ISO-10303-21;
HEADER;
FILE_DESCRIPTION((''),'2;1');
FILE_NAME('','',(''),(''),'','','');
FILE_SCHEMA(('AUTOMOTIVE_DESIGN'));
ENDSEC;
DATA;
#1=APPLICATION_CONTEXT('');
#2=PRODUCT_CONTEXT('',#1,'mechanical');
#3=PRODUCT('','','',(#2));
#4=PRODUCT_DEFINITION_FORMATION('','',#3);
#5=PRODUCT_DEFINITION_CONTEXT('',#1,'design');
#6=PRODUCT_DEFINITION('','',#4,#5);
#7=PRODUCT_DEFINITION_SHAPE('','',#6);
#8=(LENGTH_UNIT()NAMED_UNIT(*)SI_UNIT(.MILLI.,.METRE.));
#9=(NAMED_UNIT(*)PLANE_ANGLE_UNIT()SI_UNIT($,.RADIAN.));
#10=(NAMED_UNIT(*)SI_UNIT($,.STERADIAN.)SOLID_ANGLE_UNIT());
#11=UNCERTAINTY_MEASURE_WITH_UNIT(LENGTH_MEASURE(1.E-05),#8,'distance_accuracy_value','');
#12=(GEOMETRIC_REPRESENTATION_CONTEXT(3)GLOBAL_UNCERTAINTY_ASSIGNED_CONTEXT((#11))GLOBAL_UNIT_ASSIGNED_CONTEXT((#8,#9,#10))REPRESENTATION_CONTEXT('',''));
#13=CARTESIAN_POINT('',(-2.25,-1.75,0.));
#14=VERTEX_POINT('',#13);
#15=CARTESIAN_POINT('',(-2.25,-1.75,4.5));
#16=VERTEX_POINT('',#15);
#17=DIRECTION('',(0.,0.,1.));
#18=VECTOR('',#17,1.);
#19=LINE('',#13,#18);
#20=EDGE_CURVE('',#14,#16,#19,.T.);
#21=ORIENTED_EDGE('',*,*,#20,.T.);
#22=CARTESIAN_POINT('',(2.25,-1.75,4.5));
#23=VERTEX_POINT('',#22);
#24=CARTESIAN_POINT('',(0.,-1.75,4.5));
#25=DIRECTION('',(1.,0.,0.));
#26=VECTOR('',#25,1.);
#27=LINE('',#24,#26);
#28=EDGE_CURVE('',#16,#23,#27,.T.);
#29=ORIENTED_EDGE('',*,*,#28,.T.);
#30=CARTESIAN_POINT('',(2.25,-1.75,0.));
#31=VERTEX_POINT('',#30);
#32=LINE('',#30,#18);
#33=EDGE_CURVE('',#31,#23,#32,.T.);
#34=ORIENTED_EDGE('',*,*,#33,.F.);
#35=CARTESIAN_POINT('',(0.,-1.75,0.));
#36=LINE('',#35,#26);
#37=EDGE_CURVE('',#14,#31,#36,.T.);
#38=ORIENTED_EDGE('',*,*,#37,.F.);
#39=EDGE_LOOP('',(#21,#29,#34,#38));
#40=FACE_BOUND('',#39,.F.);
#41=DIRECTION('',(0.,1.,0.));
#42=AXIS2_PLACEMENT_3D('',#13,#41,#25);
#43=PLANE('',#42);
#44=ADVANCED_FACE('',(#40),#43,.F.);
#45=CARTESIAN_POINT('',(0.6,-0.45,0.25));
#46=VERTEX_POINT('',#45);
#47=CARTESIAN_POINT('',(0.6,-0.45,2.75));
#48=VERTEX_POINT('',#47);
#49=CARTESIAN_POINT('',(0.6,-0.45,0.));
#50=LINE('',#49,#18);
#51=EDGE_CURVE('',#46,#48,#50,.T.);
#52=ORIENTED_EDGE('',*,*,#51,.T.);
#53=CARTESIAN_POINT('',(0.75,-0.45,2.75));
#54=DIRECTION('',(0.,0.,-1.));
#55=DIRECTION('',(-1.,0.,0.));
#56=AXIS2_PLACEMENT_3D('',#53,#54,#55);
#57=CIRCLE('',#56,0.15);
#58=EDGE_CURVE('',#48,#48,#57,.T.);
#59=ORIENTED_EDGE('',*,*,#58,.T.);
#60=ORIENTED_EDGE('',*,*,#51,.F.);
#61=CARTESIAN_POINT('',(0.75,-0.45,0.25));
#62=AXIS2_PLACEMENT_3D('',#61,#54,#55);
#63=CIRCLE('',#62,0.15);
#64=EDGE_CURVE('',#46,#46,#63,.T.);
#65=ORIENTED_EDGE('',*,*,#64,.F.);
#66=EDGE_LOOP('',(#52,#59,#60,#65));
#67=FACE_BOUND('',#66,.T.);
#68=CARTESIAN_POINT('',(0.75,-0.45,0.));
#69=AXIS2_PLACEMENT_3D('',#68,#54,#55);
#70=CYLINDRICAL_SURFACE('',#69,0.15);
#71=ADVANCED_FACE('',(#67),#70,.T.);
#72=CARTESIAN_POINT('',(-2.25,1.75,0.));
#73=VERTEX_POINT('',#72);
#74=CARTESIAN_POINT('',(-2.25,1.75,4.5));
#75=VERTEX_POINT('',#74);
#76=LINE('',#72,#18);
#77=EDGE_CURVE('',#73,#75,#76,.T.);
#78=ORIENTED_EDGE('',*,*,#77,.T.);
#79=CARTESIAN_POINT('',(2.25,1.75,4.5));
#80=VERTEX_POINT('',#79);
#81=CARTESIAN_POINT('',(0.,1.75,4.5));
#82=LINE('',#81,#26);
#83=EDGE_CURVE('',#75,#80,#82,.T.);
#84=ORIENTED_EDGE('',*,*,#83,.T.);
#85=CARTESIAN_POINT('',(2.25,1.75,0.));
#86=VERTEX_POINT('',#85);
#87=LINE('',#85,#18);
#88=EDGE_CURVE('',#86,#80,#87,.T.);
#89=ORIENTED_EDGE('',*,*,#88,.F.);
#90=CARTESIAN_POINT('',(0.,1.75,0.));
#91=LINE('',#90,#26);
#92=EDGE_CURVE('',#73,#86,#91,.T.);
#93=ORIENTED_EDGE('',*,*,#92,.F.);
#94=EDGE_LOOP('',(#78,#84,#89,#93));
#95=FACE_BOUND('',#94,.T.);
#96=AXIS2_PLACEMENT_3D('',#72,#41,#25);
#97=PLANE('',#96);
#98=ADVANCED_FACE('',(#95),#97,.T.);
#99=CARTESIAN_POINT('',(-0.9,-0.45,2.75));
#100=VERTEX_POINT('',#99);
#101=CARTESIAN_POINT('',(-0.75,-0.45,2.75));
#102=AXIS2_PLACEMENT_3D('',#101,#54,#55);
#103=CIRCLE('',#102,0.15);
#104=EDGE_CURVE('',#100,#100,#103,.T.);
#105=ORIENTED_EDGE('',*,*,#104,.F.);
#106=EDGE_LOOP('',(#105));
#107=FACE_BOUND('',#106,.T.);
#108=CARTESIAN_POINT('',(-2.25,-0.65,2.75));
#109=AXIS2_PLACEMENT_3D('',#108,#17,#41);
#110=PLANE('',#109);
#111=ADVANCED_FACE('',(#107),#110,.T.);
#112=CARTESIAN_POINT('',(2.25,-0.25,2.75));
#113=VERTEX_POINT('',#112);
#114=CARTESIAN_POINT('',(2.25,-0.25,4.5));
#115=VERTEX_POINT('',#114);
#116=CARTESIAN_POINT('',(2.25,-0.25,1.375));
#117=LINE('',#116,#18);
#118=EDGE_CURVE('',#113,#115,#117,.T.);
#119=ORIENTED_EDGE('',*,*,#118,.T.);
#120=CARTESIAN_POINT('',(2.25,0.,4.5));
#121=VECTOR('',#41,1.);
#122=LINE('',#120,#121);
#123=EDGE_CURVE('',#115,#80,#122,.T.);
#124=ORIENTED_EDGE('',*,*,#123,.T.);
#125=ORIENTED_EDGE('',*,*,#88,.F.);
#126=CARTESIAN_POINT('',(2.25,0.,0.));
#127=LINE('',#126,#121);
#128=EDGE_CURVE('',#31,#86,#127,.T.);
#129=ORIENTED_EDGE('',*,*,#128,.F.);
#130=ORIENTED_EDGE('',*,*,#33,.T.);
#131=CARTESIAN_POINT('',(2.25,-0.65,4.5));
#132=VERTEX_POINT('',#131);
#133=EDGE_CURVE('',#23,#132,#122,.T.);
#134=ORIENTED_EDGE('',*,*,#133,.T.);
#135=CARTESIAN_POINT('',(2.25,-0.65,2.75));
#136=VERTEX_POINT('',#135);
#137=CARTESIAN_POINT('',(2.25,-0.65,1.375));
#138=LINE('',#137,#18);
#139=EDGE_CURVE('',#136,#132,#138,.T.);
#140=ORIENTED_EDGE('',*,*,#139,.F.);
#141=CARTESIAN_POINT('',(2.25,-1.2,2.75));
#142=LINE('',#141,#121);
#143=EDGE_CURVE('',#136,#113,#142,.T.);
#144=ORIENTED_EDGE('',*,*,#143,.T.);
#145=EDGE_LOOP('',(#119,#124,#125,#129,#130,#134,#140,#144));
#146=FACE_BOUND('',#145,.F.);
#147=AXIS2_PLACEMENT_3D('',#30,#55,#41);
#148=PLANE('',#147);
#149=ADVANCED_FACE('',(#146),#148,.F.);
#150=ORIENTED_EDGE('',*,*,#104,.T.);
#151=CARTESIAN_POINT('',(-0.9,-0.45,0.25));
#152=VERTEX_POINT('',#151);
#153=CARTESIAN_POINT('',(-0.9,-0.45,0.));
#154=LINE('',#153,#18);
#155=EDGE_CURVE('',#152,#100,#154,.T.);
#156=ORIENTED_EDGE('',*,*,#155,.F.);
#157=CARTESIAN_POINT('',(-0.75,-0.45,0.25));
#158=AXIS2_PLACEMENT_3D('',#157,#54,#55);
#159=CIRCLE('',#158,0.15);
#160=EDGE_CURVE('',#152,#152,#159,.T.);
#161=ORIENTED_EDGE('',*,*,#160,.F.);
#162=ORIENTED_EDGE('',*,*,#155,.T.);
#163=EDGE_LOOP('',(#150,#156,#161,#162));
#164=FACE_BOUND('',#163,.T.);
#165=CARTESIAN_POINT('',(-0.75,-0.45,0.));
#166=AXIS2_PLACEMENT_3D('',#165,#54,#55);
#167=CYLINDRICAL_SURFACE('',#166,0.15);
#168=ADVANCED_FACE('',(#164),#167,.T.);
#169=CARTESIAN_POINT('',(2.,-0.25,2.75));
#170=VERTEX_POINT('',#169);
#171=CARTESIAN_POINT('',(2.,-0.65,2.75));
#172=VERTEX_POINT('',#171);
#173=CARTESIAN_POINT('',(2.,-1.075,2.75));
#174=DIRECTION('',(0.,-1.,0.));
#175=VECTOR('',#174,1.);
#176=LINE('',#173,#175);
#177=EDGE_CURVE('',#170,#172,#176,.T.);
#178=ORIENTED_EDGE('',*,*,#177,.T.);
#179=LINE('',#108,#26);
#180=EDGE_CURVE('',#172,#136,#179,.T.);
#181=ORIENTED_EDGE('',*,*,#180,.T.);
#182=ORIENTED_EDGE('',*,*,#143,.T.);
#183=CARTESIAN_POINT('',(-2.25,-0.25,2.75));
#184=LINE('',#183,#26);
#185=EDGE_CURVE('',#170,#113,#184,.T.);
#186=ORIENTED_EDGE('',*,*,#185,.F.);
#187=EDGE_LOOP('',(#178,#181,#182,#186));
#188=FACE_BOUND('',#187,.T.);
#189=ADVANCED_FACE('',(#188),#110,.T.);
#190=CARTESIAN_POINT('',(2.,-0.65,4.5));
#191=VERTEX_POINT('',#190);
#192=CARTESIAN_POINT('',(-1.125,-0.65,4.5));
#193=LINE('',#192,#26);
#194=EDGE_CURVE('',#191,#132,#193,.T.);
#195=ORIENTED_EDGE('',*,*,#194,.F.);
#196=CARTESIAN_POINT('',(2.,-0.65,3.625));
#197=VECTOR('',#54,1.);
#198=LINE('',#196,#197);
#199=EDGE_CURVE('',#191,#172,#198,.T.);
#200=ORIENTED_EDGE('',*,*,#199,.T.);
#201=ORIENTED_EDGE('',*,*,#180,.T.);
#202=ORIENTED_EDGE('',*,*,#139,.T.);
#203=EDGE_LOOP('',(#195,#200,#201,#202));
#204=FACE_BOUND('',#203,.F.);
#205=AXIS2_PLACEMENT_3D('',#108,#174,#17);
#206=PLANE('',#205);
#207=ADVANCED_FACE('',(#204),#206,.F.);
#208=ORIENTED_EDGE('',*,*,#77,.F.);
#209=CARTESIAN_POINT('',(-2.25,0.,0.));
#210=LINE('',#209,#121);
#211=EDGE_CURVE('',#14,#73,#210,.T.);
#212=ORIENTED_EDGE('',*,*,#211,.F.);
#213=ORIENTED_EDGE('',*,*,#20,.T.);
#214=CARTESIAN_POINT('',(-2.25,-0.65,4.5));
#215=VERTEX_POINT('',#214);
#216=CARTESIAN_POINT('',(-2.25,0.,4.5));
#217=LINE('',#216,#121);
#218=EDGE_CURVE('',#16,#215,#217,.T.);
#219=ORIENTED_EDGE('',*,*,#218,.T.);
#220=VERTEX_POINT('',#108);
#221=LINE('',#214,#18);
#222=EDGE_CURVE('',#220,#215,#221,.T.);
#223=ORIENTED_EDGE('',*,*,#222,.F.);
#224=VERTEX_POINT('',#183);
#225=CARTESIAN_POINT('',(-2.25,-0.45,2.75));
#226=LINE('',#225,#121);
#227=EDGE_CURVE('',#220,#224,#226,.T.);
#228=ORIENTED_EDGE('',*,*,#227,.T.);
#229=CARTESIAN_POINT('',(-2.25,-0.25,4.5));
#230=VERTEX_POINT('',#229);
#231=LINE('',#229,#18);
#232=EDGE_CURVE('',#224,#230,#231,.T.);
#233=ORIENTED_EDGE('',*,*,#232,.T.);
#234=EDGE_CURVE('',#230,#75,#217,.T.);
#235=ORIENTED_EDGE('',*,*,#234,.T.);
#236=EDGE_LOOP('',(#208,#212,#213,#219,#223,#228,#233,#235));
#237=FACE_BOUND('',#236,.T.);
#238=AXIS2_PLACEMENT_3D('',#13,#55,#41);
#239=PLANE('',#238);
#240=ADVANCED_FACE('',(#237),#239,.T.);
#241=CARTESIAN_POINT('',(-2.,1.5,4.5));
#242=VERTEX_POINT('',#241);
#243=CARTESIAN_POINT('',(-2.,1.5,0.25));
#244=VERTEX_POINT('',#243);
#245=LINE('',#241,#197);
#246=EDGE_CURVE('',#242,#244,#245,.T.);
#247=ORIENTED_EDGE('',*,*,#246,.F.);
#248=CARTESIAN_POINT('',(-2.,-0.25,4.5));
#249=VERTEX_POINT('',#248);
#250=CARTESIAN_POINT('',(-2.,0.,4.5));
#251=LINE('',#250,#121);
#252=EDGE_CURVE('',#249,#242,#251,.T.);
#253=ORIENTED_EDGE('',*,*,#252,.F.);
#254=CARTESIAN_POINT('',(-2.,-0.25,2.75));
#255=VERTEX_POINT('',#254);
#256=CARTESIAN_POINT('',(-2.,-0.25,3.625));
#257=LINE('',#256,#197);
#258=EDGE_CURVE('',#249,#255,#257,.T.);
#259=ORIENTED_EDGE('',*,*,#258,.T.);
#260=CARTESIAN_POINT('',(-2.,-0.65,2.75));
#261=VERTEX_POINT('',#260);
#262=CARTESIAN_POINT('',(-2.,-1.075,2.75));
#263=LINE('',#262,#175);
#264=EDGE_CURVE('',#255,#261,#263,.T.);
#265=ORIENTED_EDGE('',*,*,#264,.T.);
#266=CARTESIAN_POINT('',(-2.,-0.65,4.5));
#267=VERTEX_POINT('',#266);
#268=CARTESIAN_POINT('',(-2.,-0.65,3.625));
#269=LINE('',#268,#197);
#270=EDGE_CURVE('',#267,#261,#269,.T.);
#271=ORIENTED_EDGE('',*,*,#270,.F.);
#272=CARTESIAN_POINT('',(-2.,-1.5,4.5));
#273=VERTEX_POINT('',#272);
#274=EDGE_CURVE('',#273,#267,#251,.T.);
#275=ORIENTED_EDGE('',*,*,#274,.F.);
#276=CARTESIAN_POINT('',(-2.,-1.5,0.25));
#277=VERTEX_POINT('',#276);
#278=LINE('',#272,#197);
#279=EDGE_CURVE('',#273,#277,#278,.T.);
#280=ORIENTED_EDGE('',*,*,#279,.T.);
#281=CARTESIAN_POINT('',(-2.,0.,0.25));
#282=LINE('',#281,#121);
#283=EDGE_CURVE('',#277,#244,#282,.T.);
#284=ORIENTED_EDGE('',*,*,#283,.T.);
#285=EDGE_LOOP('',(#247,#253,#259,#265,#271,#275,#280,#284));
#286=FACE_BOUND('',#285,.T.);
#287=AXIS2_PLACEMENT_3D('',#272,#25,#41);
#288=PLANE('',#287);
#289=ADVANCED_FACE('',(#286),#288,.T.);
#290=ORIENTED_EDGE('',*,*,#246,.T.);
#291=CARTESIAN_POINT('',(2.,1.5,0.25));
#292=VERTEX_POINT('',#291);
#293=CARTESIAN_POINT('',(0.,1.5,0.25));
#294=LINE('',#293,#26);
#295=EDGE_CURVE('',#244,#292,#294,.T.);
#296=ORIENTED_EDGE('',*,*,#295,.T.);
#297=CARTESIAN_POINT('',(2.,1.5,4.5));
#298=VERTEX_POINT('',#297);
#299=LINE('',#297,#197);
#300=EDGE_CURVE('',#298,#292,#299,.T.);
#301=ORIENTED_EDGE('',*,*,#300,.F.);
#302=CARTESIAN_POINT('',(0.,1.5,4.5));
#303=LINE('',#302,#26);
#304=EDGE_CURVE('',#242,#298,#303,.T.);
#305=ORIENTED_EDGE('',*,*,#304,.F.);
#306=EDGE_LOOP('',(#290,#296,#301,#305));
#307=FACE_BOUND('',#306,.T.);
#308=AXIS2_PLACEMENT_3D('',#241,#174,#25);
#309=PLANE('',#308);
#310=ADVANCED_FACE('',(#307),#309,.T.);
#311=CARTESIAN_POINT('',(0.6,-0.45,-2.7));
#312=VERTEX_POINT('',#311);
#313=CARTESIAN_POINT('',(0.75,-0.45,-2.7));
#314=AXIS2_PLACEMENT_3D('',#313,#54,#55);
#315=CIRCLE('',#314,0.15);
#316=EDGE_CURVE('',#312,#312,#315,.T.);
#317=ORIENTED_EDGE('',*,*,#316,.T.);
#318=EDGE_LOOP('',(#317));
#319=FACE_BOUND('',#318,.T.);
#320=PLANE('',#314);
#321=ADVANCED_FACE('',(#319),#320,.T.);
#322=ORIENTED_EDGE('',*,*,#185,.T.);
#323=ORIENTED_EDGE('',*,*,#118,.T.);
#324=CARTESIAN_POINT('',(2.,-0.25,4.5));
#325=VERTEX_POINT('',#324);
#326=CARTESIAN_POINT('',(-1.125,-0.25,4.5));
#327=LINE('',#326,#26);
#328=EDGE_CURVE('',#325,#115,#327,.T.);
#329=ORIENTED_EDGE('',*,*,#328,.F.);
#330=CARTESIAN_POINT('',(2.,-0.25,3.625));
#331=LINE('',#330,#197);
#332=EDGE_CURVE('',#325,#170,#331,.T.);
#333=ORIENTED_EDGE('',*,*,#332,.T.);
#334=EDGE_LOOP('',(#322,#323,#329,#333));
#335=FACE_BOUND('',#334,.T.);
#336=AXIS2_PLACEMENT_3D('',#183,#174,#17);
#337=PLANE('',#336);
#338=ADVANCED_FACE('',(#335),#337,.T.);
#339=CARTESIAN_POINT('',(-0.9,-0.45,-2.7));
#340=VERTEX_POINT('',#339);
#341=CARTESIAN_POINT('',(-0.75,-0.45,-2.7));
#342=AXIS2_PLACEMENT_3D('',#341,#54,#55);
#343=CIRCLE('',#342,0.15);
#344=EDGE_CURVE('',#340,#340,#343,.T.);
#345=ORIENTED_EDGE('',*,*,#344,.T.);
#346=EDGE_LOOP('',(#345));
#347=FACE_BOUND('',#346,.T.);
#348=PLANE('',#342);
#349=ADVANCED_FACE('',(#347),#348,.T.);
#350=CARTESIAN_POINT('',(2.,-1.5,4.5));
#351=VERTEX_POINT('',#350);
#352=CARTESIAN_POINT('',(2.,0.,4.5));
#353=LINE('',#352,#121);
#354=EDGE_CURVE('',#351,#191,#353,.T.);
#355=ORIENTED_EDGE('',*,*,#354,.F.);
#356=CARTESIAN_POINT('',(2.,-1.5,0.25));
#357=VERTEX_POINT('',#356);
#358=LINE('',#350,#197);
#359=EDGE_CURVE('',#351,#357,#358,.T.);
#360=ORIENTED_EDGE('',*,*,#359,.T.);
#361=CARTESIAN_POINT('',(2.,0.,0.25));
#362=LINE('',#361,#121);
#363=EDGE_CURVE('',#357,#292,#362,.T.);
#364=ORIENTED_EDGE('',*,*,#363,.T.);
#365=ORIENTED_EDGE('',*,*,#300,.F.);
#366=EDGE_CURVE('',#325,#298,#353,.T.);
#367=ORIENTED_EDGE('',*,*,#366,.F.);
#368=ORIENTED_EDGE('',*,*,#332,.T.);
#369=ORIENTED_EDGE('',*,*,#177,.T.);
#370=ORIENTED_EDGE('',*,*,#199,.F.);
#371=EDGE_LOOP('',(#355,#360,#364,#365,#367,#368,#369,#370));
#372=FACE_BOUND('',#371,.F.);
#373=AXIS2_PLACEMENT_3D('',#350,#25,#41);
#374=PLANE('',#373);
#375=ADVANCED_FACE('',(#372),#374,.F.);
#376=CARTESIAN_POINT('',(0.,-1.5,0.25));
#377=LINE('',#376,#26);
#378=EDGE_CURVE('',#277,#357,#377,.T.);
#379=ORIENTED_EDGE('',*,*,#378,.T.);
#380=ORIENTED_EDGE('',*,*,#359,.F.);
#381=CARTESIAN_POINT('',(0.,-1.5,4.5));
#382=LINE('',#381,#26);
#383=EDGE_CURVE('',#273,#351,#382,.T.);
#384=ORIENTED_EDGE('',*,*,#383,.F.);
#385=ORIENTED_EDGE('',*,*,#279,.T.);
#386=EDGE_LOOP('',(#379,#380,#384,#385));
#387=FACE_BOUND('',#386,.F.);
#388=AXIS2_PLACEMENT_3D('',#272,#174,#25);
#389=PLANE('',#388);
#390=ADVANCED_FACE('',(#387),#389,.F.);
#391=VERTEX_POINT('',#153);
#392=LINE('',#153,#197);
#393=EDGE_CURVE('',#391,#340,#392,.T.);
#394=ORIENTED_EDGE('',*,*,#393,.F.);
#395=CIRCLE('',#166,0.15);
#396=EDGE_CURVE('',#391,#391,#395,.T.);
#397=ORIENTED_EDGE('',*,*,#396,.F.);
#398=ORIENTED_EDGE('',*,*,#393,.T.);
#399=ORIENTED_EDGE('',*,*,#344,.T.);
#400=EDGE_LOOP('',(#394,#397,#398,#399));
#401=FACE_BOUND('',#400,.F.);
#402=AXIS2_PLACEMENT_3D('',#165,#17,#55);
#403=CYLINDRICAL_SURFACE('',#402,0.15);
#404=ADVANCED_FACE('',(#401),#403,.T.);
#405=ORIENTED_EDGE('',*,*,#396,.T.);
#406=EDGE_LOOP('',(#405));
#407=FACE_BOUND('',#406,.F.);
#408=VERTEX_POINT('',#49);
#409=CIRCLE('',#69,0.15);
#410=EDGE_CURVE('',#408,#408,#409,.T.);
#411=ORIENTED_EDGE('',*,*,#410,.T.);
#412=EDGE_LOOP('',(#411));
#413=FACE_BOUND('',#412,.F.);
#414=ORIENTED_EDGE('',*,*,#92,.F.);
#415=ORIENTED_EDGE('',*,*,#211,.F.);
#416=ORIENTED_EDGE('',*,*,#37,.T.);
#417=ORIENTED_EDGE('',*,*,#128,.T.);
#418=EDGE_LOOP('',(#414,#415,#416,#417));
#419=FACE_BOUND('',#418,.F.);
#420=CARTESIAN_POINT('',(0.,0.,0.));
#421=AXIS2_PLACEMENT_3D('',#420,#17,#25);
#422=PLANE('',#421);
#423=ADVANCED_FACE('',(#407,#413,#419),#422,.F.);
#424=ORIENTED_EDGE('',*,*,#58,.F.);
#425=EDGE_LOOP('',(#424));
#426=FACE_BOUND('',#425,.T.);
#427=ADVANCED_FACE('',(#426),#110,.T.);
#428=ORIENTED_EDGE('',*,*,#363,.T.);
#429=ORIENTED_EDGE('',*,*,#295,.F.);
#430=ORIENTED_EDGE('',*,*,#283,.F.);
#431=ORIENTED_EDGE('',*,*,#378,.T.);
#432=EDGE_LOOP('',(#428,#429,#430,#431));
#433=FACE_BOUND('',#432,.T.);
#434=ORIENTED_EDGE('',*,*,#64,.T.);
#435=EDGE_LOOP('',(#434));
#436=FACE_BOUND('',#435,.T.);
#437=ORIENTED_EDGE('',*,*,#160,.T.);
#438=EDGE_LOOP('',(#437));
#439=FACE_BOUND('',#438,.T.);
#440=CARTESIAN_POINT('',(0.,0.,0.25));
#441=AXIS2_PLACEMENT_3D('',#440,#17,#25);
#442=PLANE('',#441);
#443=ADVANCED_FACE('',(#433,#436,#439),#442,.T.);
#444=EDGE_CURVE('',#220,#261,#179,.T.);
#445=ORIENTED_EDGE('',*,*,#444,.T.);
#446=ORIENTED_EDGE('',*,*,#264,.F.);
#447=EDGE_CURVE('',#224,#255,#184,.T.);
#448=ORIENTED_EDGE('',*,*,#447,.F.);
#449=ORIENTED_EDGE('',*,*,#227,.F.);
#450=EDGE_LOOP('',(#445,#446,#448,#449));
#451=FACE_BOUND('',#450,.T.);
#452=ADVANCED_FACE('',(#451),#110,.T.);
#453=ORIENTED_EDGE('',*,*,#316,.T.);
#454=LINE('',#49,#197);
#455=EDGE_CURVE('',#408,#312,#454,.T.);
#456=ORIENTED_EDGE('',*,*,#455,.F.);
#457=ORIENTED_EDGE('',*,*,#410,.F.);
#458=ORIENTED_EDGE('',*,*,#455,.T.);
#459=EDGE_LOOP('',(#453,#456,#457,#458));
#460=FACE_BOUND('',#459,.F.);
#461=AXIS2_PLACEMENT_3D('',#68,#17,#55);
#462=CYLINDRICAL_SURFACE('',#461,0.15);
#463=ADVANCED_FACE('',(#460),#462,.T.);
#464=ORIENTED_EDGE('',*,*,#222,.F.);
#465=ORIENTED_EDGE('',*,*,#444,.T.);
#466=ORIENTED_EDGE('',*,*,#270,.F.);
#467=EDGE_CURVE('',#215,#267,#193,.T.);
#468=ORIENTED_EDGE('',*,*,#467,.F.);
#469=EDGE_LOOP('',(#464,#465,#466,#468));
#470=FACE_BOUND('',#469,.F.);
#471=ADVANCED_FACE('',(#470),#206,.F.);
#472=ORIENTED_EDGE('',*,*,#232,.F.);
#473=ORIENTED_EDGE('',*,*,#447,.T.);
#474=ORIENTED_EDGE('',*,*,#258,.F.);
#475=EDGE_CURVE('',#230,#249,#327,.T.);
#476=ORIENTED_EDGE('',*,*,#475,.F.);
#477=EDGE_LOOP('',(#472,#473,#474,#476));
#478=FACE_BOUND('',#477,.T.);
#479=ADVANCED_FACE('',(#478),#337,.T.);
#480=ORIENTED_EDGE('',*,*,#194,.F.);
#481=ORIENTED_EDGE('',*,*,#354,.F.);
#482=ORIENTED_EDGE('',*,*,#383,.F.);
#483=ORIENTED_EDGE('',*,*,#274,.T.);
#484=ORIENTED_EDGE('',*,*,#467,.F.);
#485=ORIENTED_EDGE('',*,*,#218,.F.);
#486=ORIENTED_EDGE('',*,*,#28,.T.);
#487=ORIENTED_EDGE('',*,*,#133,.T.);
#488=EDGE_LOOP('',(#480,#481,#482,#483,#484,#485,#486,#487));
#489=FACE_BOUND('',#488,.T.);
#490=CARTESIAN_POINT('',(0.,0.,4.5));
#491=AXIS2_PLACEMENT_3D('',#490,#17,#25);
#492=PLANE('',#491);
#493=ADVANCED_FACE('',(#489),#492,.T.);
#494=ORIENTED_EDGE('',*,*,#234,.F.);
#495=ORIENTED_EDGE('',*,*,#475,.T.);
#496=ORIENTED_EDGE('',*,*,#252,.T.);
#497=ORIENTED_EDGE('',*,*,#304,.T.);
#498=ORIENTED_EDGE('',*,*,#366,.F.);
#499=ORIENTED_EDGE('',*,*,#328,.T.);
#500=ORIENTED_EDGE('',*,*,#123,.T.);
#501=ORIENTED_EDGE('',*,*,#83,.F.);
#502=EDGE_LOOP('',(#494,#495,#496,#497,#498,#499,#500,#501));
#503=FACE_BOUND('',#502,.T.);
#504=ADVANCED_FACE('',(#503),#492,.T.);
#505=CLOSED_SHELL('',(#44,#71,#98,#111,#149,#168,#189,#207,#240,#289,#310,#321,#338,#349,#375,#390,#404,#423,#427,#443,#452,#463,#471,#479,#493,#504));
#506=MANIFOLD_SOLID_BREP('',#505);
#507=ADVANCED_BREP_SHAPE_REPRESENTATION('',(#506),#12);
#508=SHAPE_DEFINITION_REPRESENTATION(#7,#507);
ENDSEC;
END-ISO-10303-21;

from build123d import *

# Parameters (mm, degrees)
SKETCH1_W                = 4.5
SKETCH1_H                = 3.5
BOSS_EXTRUDE1_DEPTH      = 4.5
SKETCH2_W                = 4
SKETCH2_H                = 3
CUT_EXTRUDE1_DEPTH       = 4.25
SKETCH3_R                = 0.15
BOSS_EXTRUDE2_DEPTH      = 2.7
BOSS_EXTRUDE2_DEPTH_BACK = 4
SKETCH4_W                = 3.5
SKETCH4_H                = 0.4
CUT_EXTRUDE2_DEPTH       = 5.5


with BuildPart() as part:
    # Sketch1 → Boss-Extrude1 (new body)
    with BuildSketch(Plane.XY):
        Rectangle(SKETCH1_W, SKETCH1_H)
    extrude(amount=BOSS_EXTRUDE1_DEPTH)

    # Sketch2 → Cut-Extrude1 (cut)
    with BuildSketch(Plane.XY.offset(4.5)):
        Rectangle(SKETCH2_W, SKETCH2_H)
    extrude(amount=-CUT_EXTRUDE1_DEPTH, mode=Mode.SUBTRACT)

    # Sketch3 → Boss-Extrude2 (add, two sides)
    with BuildSketch(Plane(origin=(0, 0, 0), x_dir=(-1, 0, 0), z_dir=(0, 0, -1))) as boss_extrude2_sk:
        with Locations((-0.75, -0.45)):
            Circle(SKETCH3_R)
        with Locations((0.75, -0.45)):
            Circle(SKETCH3_R)
    extrude(amount=BOSS_EXTRUDE2_DEPTH)
    extrude(boss_extrude2_sk.sketch, amount=-BOSS_EXTRUDE2_DEPTH_BACK)

    # Sketch4 → Cut-Extrude2 (cut, through all)
    with BuildSketch(Plane.ZY.offset(2.25)):
        with Locations((4.5, -0.45)):
            Rectangle(SKETCH4_W, SKETCH4_H)
    extrude(amount=-CUT_EXTRUDE2_DEPTH, mode=Mode.SUBTRACT)


solid = part.part
